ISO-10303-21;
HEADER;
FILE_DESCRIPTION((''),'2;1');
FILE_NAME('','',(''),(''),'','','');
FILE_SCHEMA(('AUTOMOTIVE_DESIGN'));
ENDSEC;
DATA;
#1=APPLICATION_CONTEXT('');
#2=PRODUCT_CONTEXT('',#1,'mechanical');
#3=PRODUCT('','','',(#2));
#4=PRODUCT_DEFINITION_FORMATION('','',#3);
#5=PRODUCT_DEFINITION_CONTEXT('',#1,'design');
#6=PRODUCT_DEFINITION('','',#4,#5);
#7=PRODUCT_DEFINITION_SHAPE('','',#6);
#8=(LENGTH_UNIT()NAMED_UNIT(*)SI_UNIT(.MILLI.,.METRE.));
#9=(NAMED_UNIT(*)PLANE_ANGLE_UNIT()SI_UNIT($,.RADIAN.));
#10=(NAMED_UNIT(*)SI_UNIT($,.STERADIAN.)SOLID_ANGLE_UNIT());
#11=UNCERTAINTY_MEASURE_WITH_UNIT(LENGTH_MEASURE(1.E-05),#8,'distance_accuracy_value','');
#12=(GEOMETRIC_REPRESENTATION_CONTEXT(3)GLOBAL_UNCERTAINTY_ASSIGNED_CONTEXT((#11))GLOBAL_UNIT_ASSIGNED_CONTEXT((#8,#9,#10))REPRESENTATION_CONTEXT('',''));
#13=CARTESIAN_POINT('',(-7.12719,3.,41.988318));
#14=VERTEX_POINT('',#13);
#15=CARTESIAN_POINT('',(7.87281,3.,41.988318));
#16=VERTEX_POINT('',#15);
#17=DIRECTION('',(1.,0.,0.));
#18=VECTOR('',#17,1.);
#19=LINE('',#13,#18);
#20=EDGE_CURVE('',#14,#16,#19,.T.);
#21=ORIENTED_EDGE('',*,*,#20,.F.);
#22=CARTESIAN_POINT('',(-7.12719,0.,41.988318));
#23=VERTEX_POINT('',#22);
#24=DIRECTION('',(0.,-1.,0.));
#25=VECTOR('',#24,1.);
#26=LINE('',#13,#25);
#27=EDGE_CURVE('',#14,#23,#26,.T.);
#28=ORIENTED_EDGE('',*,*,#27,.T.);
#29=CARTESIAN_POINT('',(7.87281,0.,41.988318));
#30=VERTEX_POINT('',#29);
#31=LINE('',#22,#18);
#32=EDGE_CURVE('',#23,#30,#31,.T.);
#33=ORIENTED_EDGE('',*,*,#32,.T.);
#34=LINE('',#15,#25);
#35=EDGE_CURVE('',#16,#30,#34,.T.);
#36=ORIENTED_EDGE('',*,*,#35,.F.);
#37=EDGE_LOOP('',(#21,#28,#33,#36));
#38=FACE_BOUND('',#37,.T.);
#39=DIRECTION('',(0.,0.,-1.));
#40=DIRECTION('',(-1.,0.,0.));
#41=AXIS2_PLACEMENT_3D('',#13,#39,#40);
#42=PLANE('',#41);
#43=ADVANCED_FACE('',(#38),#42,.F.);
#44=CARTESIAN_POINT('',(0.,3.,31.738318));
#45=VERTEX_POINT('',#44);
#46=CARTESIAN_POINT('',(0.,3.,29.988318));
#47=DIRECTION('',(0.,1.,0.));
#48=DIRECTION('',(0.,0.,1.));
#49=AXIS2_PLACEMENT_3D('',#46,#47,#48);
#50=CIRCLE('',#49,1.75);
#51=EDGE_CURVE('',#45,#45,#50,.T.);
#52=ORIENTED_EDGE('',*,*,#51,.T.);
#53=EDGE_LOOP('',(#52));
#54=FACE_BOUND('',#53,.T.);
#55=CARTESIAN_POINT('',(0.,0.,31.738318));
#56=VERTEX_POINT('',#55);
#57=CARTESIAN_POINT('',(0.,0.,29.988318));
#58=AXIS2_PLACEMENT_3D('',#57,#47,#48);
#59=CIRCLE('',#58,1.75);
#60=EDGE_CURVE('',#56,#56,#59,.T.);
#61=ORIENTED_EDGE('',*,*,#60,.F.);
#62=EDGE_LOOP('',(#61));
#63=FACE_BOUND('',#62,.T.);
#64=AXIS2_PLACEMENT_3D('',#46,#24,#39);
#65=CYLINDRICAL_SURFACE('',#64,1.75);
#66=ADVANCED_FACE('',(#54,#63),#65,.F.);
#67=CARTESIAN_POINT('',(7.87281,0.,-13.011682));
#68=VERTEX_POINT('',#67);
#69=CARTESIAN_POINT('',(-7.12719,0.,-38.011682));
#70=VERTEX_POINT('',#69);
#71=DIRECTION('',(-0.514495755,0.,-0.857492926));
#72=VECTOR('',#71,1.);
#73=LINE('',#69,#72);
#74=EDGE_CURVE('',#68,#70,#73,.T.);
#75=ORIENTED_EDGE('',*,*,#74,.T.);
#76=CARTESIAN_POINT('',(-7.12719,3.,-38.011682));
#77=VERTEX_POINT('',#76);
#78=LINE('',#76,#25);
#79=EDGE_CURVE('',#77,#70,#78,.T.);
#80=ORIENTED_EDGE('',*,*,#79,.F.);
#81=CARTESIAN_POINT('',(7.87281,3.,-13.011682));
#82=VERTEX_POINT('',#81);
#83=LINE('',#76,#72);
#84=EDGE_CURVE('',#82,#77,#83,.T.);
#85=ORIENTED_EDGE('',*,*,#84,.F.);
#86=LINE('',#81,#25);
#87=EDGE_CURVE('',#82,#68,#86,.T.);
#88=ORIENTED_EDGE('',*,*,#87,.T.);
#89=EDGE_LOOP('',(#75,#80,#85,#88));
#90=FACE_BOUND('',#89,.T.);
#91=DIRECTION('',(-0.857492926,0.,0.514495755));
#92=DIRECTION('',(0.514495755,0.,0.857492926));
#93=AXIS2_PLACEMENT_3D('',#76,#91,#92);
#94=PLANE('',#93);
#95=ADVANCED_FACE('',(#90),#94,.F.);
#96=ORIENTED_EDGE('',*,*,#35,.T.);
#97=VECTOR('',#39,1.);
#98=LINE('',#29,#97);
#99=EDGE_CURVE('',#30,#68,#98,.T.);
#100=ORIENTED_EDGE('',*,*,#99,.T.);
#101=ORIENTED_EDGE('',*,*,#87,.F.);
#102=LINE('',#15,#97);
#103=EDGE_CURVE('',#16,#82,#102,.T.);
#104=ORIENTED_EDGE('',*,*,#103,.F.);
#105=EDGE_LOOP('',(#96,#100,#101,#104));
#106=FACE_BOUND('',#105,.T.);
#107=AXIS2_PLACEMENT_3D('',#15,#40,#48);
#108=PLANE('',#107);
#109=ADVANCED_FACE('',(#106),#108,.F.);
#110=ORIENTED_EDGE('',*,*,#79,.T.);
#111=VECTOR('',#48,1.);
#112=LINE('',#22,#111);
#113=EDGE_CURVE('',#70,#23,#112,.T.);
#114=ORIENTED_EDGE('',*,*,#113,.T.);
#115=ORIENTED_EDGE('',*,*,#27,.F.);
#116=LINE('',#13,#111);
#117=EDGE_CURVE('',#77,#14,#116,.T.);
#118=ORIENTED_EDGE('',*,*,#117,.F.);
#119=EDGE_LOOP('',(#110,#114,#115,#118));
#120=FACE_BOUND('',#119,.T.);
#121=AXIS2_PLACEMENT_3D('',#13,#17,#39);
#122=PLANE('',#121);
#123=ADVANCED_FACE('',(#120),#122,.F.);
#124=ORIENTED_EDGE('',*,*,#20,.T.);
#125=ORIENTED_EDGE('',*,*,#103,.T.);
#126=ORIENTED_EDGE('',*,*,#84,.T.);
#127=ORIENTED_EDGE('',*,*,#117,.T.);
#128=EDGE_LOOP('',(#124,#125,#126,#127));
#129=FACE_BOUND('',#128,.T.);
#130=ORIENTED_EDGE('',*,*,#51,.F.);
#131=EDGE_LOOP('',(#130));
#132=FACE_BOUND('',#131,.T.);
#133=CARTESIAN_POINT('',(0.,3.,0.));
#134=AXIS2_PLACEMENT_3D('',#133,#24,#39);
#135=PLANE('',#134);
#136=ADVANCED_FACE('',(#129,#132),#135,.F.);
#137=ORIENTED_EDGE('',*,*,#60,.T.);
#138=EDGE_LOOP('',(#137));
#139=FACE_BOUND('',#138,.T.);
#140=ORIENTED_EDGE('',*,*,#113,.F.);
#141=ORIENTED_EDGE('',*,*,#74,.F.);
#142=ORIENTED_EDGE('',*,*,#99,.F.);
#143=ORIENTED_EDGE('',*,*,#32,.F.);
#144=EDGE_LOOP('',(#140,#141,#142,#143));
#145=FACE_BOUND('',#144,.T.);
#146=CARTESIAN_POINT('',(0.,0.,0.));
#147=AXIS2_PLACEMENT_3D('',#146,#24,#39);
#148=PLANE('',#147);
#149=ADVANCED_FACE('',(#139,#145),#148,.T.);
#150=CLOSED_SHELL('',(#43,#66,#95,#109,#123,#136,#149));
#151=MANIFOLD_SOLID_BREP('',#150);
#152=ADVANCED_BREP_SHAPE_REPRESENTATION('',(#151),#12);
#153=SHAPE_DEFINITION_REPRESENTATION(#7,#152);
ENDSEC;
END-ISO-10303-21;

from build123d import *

# Parameters (mm, degrees)
SKETCH1_R           = 1.75
BOSS_EXTRUDE1_DEPTH = 3


with BuildPart() as part:
    # Sketch1 → Boss-Extrude1 (new body)
    with BuildSketch(Plane(origin=(0, 0, 0), x_dir=(1, 0, 0), z_dir=(0, 1, 0))):
        Polygon((-7.127190332, 38.011681768), (7.872809668, 13.011681768), (7.872809668, -41.988318232), (-7.127190332, -41.988318232), align=None)
        with Locations(Location((0, -29.988318232, 0), (0, 0, 270))):
            Circle(SKETCH1_R, mode=Mode.SUBTRACT)
    extrude(amount=BOSS_EXTRUDE1_DEPTH)


solid = part.part
